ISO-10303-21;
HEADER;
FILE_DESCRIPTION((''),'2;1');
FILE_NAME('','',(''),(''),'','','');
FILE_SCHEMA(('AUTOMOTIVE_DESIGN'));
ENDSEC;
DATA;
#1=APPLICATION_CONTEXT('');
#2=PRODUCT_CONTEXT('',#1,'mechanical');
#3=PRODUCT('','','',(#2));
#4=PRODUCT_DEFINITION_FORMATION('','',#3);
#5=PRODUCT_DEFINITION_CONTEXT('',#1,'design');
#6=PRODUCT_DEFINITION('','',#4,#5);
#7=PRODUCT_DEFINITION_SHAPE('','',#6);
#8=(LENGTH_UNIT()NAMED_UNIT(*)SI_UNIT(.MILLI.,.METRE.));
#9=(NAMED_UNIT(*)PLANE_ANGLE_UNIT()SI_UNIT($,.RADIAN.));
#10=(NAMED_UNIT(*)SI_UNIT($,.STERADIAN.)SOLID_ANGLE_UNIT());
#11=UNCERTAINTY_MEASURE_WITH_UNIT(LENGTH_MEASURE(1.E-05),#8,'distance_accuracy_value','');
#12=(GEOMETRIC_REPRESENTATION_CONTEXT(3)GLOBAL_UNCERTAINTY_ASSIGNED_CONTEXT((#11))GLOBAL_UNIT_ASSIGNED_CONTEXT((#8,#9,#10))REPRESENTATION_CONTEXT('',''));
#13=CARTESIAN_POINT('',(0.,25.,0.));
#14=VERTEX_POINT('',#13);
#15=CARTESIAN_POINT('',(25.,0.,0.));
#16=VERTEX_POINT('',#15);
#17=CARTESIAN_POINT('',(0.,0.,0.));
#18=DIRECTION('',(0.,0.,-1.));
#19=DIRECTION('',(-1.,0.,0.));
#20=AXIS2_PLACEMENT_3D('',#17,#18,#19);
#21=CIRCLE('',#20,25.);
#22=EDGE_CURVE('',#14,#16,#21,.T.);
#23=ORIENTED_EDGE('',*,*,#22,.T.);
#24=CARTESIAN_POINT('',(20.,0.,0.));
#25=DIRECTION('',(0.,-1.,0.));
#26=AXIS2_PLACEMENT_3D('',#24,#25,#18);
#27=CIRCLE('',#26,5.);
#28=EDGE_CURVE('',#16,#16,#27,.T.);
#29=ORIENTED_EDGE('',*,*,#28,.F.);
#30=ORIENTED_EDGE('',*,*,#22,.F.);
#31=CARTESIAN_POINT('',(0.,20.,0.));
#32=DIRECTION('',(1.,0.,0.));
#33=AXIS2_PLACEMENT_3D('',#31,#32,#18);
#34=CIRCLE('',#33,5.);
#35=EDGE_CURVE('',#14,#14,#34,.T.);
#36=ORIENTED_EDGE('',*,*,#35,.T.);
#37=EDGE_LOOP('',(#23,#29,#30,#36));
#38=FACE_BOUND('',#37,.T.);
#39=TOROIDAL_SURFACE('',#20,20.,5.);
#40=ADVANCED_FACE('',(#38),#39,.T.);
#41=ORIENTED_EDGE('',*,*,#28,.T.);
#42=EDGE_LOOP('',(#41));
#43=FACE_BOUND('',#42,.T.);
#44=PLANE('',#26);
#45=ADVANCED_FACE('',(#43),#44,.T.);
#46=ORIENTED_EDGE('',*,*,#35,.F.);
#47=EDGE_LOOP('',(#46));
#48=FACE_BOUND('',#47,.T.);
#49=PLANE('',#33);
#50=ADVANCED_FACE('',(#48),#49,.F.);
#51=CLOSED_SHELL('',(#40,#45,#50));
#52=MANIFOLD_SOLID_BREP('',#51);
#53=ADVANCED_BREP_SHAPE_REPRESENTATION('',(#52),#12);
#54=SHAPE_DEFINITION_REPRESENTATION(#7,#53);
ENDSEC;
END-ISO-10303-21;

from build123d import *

# Parameters (mm, degrees)
SKETCH_MAIN_PROFILE_R = 5
FEATURE_TORUS_ANGLE   = 90


with BuildPart() as part:
    # sketch:main-profile → feature:torus (revolve)
    with BuildSketch(Plane.XZ):
        with Locations((20, 0)):
            Circle(SKETCH_MAIN_PROFILE_R)
    revolve(axis=Axis((0, 0, -15), (0, 0, 1)), revolution_arc=FEATURE_TORUS_ANGLE)


solid = part.part
